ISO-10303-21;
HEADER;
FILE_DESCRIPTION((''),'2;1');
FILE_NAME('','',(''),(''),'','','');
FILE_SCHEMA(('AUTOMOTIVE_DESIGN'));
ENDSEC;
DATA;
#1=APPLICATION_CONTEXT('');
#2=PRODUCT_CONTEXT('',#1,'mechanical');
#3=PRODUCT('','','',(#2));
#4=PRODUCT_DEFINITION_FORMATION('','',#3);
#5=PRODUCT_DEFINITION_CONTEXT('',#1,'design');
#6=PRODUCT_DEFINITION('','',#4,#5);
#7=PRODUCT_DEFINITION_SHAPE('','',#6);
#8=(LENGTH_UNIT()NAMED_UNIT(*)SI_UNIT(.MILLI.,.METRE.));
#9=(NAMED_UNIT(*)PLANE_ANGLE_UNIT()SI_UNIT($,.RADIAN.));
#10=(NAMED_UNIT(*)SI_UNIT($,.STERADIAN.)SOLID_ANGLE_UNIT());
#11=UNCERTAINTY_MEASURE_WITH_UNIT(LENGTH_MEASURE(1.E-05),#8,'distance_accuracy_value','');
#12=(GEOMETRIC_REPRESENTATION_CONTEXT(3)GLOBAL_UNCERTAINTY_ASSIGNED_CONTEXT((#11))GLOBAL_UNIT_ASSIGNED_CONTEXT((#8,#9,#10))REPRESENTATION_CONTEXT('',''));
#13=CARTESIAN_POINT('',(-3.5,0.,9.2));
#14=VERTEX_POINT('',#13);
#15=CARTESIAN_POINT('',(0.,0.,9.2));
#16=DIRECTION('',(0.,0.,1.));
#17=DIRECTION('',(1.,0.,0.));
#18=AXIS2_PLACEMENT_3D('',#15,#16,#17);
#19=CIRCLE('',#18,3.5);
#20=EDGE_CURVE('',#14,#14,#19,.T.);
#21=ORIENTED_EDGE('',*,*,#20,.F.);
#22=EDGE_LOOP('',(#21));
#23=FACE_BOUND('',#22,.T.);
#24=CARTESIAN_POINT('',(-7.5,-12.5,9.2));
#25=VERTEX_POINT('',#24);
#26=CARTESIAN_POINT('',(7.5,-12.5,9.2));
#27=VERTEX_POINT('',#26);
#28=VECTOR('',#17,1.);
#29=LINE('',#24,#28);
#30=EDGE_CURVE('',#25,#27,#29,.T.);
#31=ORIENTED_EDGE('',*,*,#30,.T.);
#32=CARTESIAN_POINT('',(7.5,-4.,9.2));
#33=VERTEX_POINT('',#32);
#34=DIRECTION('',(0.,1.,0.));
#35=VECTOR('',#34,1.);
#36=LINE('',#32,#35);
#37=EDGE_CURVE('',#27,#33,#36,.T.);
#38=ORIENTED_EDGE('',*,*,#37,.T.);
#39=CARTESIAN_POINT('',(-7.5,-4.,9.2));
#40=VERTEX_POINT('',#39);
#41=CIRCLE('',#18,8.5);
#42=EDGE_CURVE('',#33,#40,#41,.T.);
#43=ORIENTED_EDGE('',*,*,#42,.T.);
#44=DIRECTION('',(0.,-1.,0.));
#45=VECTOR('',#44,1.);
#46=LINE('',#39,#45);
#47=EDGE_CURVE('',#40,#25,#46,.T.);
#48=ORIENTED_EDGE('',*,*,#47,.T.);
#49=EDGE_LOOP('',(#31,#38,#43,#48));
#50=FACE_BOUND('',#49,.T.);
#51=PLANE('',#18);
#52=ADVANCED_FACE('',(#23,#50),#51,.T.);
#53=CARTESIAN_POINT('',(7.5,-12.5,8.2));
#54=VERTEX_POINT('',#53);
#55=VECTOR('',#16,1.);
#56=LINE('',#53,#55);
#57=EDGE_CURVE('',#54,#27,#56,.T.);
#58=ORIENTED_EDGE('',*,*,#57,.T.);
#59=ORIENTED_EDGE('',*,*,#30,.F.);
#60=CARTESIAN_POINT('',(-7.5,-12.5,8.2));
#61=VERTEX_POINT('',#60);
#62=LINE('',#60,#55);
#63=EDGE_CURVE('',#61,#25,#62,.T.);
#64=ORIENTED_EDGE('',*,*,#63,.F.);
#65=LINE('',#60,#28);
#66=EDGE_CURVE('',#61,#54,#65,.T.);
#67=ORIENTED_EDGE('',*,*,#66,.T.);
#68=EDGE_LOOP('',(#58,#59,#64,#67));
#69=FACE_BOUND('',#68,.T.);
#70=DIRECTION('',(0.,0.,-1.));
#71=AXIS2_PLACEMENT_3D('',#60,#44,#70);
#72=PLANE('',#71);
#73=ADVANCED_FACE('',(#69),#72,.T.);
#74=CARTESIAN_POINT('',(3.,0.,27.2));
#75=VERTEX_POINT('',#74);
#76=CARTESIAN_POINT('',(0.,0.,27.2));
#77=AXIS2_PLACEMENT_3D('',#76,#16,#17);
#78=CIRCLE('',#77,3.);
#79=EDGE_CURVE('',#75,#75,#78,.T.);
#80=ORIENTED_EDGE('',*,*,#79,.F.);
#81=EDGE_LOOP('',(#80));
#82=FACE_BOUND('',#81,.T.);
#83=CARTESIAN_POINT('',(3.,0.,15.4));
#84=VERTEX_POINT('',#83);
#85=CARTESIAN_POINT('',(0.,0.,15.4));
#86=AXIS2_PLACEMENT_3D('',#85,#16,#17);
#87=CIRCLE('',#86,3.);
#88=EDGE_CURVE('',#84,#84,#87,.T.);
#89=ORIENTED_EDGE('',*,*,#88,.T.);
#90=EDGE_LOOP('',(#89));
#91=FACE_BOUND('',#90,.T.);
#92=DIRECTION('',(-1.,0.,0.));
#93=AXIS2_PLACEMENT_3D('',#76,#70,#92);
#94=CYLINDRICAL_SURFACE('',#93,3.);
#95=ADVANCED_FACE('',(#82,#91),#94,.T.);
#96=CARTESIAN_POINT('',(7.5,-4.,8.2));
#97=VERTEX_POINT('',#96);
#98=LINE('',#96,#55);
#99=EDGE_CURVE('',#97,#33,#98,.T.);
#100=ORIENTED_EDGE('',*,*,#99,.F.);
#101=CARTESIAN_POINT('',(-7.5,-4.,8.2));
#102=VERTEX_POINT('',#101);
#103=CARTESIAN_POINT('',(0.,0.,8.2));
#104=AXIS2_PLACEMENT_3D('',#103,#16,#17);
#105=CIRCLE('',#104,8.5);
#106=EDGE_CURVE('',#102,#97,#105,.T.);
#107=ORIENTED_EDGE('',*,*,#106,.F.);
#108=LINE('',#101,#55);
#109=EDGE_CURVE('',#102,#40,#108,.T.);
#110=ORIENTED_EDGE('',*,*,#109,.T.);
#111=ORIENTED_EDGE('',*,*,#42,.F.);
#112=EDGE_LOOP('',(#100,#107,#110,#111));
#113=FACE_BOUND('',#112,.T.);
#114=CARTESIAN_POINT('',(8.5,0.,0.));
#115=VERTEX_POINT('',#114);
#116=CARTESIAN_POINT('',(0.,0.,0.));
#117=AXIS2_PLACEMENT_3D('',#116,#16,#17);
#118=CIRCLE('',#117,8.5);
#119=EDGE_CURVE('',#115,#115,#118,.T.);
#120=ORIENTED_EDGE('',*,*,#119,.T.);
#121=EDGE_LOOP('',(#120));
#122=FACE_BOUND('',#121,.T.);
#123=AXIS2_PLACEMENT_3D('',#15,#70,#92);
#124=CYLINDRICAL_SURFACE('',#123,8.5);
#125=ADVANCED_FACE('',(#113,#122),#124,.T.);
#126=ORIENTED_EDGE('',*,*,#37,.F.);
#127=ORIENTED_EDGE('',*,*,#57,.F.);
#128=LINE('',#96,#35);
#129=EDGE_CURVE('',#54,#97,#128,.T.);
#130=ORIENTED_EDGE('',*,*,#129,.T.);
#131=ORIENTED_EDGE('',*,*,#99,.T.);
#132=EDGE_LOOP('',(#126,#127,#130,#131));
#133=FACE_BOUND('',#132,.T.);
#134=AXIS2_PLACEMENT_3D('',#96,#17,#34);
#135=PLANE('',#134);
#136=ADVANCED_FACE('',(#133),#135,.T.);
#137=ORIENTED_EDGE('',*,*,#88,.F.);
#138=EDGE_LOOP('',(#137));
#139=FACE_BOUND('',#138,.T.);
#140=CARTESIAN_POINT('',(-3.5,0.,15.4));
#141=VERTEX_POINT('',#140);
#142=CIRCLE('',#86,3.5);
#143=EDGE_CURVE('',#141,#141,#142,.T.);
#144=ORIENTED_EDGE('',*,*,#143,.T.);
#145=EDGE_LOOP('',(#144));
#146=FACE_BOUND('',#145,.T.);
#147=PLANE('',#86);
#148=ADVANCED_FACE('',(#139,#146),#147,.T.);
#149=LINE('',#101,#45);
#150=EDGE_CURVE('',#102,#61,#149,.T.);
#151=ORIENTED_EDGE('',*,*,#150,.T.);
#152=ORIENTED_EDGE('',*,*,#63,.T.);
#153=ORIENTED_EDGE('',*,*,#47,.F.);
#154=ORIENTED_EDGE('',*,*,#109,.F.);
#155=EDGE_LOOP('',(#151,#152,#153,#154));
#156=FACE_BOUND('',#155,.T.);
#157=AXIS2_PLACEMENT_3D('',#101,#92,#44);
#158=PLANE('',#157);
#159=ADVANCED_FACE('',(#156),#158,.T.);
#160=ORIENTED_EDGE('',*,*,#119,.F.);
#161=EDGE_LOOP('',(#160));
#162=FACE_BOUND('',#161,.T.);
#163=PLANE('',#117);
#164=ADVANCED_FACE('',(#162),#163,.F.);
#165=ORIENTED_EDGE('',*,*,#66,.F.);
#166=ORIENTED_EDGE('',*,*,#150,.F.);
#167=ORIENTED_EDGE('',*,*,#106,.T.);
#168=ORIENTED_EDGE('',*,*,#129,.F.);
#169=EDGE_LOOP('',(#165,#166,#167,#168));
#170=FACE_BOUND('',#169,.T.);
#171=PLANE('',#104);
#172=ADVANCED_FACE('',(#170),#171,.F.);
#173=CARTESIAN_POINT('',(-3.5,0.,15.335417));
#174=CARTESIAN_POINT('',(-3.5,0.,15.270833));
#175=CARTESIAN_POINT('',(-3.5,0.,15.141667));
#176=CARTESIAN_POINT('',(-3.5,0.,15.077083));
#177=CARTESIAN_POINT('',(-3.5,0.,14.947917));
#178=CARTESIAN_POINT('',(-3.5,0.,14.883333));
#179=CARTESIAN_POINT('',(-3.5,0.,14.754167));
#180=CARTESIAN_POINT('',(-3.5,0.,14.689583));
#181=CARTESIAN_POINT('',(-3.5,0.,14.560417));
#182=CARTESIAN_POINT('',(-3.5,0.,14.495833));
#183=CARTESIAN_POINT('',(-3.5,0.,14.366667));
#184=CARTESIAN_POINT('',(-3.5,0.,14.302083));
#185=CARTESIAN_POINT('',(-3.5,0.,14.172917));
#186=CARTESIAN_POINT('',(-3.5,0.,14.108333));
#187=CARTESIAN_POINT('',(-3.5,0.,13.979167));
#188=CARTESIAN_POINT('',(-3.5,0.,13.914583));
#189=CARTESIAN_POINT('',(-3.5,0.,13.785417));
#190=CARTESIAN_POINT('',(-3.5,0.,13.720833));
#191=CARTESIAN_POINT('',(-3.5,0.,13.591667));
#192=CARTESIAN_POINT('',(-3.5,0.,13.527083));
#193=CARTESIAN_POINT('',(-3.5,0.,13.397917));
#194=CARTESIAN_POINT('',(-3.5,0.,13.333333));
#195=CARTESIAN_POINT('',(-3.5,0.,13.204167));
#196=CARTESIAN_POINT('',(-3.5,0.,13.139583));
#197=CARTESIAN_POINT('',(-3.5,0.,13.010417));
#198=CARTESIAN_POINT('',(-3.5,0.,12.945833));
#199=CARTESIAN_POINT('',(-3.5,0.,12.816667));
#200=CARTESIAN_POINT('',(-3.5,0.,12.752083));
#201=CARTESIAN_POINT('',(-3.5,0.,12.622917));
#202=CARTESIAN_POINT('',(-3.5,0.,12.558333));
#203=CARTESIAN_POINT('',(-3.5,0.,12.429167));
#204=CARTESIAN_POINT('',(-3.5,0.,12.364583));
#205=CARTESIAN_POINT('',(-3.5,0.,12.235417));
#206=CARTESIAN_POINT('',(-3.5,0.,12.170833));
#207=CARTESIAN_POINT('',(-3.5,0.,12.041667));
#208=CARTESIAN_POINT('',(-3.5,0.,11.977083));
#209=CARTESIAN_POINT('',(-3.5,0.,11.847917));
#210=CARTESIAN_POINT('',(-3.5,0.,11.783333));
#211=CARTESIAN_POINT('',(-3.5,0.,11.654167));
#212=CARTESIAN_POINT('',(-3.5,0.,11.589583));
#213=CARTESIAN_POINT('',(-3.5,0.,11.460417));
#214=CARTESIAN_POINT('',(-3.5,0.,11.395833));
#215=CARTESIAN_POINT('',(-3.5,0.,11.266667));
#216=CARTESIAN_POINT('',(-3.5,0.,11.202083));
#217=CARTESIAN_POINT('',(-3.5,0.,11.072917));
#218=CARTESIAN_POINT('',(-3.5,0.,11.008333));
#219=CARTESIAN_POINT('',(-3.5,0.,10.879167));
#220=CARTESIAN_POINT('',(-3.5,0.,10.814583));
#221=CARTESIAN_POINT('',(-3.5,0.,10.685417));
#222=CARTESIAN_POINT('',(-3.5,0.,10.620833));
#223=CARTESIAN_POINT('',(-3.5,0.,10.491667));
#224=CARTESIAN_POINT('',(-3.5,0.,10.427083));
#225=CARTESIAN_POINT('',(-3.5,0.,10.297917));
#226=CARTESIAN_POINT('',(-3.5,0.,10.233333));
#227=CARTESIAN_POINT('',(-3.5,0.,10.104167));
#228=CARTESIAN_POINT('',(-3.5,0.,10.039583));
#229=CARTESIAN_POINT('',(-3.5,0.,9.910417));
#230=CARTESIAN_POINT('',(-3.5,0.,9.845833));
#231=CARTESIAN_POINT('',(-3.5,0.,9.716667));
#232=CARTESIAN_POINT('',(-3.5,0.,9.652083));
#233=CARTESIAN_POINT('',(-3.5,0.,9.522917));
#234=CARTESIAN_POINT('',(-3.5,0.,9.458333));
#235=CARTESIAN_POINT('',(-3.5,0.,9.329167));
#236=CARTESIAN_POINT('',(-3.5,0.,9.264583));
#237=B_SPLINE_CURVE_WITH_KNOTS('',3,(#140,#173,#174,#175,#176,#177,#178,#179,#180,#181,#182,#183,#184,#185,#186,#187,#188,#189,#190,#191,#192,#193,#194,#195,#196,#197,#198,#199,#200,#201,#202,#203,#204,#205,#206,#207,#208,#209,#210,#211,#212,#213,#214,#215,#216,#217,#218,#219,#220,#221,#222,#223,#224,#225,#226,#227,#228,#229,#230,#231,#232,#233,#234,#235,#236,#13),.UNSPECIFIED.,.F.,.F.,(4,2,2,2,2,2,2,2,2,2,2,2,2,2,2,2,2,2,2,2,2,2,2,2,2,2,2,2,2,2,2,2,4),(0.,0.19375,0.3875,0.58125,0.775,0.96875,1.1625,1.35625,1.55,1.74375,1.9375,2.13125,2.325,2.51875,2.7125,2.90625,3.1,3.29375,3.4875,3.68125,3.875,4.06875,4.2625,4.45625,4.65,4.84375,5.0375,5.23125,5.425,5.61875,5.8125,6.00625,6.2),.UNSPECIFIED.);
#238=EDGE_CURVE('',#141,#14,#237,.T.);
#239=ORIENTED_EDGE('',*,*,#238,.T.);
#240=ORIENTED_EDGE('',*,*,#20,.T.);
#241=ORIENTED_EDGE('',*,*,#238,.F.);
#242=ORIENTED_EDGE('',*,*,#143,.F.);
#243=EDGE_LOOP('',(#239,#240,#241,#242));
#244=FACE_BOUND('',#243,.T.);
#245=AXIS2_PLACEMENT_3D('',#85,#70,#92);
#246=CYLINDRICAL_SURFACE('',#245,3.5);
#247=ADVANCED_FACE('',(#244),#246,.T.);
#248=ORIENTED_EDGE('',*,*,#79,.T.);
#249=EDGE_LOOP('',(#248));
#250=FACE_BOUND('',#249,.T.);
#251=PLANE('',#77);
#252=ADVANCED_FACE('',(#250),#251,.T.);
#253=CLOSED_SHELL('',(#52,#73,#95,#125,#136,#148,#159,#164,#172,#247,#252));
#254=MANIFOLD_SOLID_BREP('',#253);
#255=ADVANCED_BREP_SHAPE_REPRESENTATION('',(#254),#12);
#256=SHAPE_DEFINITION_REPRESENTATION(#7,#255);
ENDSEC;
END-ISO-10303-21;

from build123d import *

# Parameters (mm, degrees)
SCHIZZO1_R                   = 8.5
ESTRUSIONE_ESTRUSIONE1_DEPTH = 9.2
SCHIZZO2_W                   = 15
SCHIZZO2_H                   = 8.5
ESTRUSIONE_ESTRUSIONE2_DEPTH = 1
SCHIZZO3_R                   = 3.5
ESTRUSIONE_ESTRUSIONE3_DEPTH = 6.2
SCHIZZO4_R                   = 3
ESTRUSIONE_ESTRUSIONE4_DEPTH = 11.8


with BuildPart() as part:
    # Schizzo1 → Estrusione-Estrusione1 (new body)
    with BuildSketch(Plane.XY):
        Circle(SCHIZZO1_R)
    extrude(amount=ESTRUSIONE_ESTRUSIONE1_DEPTH)

    # Schizzo2 → Estrusione-Estrusione2 (add)
    with BuildSketch(Plane.XY.offset(9.2)):
        with Locations((0, -8.25)):
            Rectangle(SCHIZZO2_W, SCHIZZO2_H)
    extrude(amount=-ESTRUSIONE_ESTRUSIONE2_DEPTH)

    # Schizzo3 → Estrusione-Estrusione3 (add)
    with BuildSketch(Plane.XY.offset(9.2)):
        with Locations(Location((0, 0, 0), (0, 0, 180))):
            Circle(SCHIZZO3_R)
    extrude(amount=ESTRUSIONE_ESTRUSIONE3_DEPTH)

    # Schizzo4 → Estrusione-Estrusione4 (add)
    with BuildSketch(Plane.XY.offset(15.4)):
        Circle(SCHIZZO4_R)
    extrude(amount=ESTRUSIONE_ESTRUSIONE4_DEPTH)


solid = part.part
